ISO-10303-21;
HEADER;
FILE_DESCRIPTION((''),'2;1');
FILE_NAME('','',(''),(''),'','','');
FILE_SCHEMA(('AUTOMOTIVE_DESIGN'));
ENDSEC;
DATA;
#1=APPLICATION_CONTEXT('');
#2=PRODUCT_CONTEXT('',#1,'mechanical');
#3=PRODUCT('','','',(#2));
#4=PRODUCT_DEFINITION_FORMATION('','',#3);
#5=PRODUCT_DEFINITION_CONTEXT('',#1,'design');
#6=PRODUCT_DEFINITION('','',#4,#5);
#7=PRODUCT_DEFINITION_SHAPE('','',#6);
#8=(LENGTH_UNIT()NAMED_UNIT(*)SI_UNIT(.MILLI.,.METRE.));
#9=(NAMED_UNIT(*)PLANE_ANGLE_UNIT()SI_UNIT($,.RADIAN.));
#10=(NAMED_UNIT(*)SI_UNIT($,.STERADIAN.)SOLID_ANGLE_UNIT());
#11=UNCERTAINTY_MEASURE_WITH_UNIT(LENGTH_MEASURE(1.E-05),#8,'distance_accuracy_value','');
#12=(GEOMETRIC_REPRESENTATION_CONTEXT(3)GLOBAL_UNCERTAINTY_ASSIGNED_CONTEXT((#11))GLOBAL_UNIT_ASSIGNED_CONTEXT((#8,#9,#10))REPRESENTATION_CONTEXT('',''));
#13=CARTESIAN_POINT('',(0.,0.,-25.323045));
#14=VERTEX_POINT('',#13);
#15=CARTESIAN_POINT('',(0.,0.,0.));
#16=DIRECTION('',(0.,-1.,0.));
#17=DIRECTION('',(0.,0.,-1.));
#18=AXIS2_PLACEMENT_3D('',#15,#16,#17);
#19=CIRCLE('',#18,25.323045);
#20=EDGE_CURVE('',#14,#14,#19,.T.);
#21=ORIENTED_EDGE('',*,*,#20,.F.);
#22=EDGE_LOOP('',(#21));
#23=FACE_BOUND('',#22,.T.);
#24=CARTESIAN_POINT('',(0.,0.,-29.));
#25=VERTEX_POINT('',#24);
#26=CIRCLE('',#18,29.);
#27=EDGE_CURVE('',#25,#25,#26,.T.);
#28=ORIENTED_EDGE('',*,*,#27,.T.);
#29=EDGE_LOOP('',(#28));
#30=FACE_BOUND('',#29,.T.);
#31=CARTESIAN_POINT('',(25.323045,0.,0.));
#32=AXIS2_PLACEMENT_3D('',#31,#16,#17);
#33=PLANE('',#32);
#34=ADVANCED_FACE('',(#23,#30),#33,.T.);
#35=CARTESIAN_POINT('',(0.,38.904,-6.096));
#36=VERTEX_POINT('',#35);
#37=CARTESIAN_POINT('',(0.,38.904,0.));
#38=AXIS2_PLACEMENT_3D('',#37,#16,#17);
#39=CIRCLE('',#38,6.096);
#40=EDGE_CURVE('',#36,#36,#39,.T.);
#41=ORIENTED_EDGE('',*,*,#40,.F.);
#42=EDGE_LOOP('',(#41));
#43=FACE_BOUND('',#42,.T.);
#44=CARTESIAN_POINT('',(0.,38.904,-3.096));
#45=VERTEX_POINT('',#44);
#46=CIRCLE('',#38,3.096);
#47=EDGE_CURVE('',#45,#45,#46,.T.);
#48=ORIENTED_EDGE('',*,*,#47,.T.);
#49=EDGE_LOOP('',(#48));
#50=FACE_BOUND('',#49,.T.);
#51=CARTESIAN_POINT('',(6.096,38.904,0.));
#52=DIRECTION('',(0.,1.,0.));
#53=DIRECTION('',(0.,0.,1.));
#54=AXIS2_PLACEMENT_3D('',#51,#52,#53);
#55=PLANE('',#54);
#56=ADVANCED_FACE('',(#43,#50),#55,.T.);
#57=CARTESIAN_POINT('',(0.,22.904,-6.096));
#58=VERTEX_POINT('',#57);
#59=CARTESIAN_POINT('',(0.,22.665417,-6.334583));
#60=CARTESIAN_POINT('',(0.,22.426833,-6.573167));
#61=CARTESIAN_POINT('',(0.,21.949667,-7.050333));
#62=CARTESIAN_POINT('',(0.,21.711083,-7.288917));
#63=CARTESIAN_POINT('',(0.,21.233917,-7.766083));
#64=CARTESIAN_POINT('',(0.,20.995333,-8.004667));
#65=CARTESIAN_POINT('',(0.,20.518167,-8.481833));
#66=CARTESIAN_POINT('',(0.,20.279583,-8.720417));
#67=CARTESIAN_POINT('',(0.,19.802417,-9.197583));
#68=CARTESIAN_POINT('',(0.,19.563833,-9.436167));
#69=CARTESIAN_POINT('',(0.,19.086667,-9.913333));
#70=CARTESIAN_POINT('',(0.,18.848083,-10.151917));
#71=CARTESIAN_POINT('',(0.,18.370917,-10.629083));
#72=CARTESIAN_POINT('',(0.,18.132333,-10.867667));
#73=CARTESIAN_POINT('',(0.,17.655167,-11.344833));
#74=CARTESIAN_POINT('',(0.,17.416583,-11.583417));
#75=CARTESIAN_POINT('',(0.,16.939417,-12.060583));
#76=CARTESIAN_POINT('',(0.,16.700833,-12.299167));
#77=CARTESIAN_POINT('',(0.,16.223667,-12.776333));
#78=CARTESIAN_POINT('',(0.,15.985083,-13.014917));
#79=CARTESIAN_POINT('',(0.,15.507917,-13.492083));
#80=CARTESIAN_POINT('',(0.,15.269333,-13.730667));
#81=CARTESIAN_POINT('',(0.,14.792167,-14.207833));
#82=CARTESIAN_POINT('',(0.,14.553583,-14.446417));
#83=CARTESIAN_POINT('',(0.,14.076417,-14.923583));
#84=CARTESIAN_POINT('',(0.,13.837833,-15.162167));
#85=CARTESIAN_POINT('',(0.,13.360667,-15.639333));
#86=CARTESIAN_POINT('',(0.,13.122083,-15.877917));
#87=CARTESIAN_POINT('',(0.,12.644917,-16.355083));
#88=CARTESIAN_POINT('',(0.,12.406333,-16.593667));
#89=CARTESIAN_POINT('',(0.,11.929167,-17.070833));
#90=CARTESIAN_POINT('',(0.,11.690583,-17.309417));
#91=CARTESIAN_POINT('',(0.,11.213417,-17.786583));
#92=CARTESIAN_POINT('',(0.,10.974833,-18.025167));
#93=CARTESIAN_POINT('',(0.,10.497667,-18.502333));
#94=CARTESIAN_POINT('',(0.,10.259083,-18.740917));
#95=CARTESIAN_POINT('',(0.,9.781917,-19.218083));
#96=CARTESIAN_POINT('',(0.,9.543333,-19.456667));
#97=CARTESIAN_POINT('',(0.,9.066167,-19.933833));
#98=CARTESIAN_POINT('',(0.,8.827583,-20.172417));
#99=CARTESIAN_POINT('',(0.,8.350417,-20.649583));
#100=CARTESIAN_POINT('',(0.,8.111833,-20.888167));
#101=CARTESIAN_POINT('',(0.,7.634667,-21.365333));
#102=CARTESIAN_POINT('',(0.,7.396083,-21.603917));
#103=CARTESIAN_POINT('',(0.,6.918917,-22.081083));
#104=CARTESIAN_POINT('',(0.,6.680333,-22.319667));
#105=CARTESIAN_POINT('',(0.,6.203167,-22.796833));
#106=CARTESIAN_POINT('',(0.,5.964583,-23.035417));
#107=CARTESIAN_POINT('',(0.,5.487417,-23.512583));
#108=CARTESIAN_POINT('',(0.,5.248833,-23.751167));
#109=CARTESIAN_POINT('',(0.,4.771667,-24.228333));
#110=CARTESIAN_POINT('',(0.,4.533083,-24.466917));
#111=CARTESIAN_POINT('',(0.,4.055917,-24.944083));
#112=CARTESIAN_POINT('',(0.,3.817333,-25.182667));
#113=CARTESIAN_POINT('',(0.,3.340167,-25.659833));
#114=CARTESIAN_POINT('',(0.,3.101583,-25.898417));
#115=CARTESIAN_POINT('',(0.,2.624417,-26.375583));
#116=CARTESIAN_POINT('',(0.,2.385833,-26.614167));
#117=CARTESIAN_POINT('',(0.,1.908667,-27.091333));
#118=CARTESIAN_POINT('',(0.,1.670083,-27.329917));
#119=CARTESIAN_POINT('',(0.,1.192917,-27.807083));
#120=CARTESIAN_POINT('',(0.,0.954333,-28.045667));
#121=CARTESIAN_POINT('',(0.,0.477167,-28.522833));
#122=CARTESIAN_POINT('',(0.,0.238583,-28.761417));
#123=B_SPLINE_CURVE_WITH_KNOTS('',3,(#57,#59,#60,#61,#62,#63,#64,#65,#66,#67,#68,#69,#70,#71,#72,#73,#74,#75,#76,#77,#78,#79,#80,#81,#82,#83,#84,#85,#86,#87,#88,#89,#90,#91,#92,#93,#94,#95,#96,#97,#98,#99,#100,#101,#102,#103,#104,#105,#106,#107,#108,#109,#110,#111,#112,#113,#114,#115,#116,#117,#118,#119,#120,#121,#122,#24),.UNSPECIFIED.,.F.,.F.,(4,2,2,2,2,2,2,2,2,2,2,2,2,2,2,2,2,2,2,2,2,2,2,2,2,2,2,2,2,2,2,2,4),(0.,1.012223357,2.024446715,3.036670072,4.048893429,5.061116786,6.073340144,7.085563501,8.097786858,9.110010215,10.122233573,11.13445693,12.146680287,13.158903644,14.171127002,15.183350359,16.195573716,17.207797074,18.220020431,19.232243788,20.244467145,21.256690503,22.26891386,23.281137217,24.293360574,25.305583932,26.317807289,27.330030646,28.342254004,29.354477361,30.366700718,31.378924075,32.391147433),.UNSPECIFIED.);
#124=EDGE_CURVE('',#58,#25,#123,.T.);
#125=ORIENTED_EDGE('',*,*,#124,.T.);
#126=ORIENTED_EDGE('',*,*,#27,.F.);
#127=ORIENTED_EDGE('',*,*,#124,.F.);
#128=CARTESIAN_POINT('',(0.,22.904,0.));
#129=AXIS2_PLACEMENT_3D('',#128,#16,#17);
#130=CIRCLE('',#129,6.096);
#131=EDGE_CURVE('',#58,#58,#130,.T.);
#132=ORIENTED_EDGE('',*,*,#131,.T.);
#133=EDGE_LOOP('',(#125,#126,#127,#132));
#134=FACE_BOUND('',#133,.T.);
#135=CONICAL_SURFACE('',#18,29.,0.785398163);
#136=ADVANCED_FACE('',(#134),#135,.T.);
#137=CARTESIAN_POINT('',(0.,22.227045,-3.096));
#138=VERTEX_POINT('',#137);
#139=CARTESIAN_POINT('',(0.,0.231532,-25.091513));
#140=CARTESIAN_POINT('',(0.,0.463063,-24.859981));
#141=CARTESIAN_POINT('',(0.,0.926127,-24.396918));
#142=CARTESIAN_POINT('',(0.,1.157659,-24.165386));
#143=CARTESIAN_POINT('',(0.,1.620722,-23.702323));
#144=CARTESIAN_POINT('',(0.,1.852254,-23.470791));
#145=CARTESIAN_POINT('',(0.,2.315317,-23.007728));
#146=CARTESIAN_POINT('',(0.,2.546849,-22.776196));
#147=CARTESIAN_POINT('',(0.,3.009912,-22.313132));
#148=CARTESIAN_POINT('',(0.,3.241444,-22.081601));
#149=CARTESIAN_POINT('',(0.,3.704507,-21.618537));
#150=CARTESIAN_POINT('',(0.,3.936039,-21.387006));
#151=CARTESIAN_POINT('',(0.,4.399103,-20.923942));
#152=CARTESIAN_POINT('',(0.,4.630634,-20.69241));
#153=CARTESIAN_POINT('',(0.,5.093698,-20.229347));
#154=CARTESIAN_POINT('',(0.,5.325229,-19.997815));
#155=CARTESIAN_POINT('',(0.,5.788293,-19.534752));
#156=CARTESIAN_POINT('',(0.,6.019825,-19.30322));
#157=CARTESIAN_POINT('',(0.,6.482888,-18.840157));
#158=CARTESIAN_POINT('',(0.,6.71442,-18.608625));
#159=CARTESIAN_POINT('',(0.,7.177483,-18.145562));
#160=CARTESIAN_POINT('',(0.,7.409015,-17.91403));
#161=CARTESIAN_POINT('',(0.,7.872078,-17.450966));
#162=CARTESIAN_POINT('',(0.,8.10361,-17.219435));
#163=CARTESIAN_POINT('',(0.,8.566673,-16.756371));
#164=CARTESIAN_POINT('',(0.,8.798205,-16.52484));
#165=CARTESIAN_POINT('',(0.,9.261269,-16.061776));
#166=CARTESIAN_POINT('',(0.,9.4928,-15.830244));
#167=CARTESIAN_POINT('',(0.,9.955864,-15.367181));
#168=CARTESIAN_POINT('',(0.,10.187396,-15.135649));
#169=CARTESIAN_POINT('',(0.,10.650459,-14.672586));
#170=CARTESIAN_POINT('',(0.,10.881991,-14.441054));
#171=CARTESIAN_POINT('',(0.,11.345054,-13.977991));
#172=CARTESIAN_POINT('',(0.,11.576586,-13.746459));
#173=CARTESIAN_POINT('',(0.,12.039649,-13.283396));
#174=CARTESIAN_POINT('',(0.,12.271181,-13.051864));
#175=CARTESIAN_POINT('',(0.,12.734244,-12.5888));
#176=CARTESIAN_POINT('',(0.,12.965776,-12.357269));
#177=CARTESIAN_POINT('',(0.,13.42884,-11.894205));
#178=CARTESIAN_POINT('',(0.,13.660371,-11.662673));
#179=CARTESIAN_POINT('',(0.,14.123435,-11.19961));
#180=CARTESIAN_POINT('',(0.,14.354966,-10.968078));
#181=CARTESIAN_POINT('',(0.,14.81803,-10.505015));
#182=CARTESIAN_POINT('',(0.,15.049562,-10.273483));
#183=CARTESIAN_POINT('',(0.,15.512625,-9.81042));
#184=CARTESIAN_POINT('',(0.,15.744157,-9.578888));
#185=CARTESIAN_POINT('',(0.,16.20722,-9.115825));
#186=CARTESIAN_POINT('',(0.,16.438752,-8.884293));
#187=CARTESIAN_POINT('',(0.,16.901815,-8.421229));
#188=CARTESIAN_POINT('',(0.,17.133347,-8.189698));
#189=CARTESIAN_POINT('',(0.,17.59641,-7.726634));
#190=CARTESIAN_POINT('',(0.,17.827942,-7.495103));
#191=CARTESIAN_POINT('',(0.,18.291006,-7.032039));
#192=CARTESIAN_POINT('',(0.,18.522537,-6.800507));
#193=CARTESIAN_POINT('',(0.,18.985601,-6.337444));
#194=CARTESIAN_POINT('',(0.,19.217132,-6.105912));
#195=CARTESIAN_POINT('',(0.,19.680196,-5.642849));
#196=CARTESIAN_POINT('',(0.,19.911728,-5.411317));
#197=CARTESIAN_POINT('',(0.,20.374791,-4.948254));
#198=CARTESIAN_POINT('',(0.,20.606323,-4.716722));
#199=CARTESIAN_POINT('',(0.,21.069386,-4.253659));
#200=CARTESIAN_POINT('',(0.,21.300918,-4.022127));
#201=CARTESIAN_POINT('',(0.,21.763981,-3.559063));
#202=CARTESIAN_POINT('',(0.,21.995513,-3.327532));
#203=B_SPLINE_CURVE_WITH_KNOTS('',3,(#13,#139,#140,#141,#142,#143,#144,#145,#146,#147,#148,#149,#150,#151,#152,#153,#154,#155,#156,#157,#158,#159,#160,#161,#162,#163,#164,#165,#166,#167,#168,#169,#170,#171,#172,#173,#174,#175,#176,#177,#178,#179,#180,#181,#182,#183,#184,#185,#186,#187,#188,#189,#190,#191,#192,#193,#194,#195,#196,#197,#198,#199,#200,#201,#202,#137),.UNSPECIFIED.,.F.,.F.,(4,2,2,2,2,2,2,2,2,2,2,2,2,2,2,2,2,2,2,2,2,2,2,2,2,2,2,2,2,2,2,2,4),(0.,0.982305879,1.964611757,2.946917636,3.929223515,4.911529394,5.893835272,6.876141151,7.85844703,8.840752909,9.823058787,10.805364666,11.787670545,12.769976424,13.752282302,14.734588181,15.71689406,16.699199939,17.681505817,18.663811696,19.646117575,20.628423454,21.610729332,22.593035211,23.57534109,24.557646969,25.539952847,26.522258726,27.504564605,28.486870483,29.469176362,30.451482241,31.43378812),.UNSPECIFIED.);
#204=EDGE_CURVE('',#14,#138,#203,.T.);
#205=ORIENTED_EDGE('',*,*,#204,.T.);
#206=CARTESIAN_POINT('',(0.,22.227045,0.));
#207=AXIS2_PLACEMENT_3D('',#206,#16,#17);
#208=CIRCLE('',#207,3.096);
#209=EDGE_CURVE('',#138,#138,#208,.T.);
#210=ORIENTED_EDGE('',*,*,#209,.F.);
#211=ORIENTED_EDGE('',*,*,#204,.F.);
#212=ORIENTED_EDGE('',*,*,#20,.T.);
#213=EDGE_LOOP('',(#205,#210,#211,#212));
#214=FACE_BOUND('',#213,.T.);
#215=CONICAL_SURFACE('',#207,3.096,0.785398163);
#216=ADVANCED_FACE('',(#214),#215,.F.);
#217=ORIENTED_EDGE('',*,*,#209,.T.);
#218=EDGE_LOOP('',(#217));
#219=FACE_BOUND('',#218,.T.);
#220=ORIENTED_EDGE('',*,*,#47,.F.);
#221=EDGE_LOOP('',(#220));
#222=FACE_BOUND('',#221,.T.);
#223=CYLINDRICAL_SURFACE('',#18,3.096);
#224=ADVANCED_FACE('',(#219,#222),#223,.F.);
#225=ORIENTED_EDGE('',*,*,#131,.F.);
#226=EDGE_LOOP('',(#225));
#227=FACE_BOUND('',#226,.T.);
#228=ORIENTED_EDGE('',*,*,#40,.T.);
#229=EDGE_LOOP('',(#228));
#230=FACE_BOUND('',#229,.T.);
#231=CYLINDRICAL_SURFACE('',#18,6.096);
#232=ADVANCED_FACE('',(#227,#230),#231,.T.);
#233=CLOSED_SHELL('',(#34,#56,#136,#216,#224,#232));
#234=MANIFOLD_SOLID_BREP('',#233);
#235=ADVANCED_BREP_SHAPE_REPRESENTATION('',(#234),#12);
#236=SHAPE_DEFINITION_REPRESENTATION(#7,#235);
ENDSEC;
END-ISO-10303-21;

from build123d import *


with BuildPart() as part:
    # Sketch2 → Revolve1 (revolve)
    with BuildSketch(Plane.XY, mode=Mode.PRIVATE) as revolve1_sk:
        Polygon((25.323044738, 0), (29, 0), (6.096, 22.904), (6.096, 38.904), (3.096, 38.904), (3.096, 22.227044738), align=None)
    revolve(revolve1_sk.sketch.rotate(Axis((0, 0, 0), (0, 1, 0)), 90), axis=Axis((0, 0, 0), (0, 1, 0)))


solid = part.part
